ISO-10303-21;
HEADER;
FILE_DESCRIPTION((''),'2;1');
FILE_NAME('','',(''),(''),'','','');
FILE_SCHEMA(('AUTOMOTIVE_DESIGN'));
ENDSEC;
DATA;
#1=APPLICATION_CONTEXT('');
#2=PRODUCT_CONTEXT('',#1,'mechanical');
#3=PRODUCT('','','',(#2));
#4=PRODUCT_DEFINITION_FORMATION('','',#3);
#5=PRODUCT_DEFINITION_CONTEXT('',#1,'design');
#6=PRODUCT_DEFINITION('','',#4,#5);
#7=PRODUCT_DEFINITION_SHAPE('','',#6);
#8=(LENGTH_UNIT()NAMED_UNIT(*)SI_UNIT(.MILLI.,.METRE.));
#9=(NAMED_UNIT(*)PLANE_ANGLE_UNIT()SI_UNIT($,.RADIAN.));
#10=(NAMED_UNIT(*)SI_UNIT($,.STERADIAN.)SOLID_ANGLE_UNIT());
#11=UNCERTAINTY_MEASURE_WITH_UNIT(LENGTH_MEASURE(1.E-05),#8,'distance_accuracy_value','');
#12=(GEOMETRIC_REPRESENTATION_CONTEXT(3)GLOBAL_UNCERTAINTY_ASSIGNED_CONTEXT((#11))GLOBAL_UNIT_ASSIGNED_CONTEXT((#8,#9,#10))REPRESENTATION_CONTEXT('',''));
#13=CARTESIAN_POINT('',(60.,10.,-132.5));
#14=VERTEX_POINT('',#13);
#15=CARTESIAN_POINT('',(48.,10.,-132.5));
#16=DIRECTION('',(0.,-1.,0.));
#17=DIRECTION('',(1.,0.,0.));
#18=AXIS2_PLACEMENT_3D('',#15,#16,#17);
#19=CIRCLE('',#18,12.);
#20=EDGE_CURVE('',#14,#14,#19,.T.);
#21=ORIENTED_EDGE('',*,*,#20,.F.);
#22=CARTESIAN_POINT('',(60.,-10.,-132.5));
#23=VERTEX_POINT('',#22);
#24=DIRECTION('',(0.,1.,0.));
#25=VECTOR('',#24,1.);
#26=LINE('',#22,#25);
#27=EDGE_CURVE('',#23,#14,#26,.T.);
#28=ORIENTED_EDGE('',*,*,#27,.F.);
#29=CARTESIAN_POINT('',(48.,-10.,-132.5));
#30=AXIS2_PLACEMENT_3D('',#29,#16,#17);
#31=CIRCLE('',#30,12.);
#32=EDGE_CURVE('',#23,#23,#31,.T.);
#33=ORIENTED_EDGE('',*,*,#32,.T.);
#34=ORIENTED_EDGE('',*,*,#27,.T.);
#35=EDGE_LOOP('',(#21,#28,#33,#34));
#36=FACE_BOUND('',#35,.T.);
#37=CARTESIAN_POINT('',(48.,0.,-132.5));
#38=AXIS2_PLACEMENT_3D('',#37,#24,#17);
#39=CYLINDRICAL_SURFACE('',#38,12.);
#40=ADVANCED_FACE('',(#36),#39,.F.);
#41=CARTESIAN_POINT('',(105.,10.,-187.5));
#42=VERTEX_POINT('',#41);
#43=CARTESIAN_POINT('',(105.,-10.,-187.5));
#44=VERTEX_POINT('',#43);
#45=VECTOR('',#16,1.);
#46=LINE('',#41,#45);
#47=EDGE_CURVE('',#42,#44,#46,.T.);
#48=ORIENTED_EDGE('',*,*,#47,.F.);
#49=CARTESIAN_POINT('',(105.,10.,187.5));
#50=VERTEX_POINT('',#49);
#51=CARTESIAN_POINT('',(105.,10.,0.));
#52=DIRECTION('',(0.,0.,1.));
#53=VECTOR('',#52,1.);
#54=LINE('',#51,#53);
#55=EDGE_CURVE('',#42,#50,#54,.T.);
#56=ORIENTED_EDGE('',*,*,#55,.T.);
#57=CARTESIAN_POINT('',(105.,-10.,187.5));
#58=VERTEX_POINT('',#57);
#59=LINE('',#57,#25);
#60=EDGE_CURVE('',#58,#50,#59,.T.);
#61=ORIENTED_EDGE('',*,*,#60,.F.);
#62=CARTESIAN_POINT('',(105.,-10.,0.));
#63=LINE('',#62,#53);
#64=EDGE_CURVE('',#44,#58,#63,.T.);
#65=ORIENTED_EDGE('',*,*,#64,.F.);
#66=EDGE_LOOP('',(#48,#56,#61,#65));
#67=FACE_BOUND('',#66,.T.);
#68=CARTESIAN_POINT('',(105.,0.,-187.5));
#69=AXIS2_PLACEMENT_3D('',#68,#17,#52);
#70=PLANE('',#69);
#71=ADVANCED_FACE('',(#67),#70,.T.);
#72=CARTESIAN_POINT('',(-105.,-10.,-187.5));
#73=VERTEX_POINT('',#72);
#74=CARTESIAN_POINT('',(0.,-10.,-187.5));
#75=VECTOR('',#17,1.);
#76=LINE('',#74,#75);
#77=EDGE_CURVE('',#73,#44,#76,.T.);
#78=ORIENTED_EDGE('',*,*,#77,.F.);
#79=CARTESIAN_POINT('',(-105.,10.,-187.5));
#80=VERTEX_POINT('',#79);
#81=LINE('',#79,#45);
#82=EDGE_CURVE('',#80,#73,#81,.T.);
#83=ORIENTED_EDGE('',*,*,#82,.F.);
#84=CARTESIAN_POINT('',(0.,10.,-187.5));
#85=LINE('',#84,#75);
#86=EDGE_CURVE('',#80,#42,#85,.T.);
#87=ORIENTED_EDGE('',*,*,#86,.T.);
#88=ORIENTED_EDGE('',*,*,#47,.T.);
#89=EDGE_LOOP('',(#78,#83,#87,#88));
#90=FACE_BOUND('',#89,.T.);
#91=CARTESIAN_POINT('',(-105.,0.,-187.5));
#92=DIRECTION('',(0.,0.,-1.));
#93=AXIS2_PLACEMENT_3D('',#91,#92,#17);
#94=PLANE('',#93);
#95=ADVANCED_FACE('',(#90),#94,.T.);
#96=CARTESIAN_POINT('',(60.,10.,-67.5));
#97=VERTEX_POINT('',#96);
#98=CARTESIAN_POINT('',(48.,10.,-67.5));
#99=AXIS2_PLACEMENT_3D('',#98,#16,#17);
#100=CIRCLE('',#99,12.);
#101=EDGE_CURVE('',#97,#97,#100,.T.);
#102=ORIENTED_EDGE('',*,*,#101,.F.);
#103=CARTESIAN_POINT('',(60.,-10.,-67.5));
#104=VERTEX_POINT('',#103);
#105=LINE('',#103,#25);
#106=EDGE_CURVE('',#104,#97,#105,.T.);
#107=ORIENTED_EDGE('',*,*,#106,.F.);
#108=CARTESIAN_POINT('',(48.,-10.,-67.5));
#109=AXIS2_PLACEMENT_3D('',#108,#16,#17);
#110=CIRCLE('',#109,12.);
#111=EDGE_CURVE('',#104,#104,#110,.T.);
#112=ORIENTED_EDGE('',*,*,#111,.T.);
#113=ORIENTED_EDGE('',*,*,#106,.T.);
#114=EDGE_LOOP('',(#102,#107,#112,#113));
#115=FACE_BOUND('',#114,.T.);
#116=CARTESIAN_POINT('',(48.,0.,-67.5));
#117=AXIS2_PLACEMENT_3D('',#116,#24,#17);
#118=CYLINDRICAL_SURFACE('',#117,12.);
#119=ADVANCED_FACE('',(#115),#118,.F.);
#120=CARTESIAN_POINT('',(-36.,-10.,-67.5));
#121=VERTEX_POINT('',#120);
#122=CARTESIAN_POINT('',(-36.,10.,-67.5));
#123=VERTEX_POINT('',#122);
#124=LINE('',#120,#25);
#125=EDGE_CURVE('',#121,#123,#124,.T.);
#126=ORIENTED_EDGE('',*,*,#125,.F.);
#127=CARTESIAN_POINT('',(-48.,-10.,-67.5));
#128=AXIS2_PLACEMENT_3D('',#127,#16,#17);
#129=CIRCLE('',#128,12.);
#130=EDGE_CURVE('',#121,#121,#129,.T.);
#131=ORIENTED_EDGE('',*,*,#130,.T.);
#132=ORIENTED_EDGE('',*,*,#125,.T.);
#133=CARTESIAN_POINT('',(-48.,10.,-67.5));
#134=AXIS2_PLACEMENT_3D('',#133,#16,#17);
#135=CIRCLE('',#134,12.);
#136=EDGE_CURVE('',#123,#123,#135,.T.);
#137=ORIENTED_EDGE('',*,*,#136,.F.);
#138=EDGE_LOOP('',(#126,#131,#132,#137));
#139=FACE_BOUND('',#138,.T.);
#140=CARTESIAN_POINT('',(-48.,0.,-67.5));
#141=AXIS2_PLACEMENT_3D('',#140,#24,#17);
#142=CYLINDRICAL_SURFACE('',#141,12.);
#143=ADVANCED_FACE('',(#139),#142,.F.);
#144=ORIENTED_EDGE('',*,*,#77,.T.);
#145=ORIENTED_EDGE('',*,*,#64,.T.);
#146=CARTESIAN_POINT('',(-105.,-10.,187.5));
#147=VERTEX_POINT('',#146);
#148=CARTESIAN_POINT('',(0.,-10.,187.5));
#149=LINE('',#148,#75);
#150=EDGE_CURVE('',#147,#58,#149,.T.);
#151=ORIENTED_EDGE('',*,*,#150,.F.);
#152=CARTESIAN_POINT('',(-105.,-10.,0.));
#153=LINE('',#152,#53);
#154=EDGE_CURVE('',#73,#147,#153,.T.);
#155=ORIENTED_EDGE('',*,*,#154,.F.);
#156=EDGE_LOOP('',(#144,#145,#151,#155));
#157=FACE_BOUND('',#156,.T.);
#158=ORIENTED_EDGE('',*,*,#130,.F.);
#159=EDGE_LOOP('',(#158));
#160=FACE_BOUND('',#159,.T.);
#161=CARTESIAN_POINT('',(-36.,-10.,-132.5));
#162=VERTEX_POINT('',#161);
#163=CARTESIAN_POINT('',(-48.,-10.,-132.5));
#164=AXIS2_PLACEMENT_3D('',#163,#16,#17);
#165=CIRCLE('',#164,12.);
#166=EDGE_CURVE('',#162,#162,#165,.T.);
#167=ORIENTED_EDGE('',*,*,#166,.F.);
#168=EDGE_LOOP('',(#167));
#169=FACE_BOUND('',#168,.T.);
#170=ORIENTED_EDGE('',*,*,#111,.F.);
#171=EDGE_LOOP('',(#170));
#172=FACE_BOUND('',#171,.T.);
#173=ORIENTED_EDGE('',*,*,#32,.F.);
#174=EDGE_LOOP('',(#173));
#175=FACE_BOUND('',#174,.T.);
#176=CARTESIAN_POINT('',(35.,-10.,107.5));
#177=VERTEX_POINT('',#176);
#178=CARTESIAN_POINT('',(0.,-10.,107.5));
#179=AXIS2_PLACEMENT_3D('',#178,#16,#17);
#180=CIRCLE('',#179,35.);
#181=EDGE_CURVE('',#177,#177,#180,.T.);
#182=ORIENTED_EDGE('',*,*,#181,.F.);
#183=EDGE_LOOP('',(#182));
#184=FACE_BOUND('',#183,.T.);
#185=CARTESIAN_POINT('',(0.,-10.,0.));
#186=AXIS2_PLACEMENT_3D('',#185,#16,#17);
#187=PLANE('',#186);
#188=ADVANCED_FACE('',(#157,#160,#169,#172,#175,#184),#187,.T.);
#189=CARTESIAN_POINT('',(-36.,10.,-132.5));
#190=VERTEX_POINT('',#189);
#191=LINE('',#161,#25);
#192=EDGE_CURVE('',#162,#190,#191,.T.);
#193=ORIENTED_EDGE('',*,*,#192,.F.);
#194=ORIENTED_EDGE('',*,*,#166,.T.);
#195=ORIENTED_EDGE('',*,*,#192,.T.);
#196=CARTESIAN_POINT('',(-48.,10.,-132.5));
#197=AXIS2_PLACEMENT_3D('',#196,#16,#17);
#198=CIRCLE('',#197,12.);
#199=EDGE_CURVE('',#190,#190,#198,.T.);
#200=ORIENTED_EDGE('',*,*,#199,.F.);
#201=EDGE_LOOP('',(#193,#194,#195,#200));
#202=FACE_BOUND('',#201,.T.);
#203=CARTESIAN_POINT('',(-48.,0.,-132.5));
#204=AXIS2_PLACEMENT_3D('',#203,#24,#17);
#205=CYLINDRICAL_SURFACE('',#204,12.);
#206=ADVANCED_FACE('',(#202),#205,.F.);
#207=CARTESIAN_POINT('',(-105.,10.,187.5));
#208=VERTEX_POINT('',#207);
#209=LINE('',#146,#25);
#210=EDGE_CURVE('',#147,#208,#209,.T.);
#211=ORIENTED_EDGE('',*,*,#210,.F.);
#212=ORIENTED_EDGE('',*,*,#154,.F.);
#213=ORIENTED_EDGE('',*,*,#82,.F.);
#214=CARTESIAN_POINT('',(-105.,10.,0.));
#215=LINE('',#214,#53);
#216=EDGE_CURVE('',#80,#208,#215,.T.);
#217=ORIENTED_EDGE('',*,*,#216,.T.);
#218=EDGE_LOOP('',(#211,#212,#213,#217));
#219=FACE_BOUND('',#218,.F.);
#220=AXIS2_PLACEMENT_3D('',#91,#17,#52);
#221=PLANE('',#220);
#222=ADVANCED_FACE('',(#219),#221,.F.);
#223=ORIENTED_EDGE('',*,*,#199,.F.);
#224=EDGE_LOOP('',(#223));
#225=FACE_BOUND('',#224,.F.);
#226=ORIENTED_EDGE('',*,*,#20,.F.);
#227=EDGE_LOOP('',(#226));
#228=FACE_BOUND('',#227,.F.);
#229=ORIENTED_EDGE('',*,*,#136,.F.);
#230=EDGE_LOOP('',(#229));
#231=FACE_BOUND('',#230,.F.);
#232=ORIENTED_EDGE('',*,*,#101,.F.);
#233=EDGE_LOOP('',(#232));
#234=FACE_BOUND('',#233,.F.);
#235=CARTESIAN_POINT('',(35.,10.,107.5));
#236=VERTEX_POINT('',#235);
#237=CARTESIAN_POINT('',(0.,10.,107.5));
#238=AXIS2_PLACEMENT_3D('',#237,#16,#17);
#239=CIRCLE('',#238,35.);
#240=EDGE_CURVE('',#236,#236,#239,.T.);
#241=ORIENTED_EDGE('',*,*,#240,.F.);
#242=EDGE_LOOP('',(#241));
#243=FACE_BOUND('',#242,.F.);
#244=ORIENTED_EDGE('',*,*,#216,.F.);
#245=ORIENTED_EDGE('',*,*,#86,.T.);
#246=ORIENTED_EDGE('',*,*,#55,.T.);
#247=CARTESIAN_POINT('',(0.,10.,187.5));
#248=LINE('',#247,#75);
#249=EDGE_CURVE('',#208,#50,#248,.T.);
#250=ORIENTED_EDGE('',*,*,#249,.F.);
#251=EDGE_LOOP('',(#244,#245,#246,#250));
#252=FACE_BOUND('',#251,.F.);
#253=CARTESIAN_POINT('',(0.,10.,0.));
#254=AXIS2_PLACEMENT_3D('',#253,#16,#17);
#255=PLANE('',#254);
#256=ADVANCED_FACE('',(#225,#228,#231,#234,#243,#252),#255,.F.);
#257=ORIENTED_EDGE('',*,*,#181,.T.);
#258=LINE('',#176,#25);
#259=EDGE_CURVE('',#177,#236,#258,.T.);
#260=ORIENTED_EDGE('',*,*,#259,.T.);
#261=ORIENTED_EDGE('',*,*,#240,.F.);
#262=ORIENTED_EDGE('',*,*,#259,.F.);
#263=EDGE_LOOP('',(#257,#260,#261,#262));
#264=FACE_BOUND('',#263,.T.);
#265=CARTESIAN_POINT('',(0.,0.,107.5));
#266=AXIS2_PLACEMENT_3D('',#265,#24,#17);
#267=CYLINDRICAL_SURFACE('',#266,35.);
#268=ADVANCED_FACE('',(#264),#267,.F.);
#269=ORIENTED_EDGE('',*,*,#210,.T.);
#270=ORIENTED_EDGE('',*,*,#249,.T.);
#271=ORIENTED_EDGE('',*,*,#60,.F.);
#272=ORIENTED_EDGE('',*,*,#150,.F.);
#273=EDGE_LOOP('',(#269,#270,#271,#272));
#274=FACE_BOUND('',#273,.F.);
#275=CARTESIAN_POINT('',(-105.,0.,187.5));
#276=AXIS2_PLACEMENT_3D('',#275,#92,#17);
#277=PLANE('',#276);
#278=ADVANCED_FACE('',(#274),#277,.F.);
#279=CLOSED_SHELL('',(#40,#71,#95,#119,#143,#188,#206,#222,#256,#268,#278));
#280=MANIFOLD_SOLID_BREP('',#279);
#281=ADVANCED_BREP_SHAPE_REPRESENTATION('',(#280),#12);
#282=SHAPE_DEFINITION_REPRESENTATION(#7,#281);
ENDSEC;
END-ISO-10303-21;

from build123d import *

# Parameters (mm, degrees)
F0_W     = 210
F0_H     = 375
F0_R     = 12
F0_R_2   = 35
F1_DEPTH = 10


with BuildPart() as f1:
    # F0 (on Front) → F1 (new body, symmetric)
    with BuildSketch(Plane.XZ):
        Rectangle(F0_W, F0_H)
        with Locations((-48, -132.5)):
            Circle(F0_R, mode=Mode.SUBTRACT)
        with Locations((-48, -67.5)):
            Circle(F0_R, mode=Mode.SUBTRACT)
        with Locations((48, -132.5)):
            Circle(F0_R, mode=Mode.SUBTRACT)
        with Locations((48, -67.5)):
            Circle(F0_R, mode=Mode.SUBTRACT)
        with Locations((0, 107.5)):
            Circle(F0_R_2, mode=Mode.SUBTRACT)
    extrude(amount=F1_DEPTH, both=True)


solid = f1.part
